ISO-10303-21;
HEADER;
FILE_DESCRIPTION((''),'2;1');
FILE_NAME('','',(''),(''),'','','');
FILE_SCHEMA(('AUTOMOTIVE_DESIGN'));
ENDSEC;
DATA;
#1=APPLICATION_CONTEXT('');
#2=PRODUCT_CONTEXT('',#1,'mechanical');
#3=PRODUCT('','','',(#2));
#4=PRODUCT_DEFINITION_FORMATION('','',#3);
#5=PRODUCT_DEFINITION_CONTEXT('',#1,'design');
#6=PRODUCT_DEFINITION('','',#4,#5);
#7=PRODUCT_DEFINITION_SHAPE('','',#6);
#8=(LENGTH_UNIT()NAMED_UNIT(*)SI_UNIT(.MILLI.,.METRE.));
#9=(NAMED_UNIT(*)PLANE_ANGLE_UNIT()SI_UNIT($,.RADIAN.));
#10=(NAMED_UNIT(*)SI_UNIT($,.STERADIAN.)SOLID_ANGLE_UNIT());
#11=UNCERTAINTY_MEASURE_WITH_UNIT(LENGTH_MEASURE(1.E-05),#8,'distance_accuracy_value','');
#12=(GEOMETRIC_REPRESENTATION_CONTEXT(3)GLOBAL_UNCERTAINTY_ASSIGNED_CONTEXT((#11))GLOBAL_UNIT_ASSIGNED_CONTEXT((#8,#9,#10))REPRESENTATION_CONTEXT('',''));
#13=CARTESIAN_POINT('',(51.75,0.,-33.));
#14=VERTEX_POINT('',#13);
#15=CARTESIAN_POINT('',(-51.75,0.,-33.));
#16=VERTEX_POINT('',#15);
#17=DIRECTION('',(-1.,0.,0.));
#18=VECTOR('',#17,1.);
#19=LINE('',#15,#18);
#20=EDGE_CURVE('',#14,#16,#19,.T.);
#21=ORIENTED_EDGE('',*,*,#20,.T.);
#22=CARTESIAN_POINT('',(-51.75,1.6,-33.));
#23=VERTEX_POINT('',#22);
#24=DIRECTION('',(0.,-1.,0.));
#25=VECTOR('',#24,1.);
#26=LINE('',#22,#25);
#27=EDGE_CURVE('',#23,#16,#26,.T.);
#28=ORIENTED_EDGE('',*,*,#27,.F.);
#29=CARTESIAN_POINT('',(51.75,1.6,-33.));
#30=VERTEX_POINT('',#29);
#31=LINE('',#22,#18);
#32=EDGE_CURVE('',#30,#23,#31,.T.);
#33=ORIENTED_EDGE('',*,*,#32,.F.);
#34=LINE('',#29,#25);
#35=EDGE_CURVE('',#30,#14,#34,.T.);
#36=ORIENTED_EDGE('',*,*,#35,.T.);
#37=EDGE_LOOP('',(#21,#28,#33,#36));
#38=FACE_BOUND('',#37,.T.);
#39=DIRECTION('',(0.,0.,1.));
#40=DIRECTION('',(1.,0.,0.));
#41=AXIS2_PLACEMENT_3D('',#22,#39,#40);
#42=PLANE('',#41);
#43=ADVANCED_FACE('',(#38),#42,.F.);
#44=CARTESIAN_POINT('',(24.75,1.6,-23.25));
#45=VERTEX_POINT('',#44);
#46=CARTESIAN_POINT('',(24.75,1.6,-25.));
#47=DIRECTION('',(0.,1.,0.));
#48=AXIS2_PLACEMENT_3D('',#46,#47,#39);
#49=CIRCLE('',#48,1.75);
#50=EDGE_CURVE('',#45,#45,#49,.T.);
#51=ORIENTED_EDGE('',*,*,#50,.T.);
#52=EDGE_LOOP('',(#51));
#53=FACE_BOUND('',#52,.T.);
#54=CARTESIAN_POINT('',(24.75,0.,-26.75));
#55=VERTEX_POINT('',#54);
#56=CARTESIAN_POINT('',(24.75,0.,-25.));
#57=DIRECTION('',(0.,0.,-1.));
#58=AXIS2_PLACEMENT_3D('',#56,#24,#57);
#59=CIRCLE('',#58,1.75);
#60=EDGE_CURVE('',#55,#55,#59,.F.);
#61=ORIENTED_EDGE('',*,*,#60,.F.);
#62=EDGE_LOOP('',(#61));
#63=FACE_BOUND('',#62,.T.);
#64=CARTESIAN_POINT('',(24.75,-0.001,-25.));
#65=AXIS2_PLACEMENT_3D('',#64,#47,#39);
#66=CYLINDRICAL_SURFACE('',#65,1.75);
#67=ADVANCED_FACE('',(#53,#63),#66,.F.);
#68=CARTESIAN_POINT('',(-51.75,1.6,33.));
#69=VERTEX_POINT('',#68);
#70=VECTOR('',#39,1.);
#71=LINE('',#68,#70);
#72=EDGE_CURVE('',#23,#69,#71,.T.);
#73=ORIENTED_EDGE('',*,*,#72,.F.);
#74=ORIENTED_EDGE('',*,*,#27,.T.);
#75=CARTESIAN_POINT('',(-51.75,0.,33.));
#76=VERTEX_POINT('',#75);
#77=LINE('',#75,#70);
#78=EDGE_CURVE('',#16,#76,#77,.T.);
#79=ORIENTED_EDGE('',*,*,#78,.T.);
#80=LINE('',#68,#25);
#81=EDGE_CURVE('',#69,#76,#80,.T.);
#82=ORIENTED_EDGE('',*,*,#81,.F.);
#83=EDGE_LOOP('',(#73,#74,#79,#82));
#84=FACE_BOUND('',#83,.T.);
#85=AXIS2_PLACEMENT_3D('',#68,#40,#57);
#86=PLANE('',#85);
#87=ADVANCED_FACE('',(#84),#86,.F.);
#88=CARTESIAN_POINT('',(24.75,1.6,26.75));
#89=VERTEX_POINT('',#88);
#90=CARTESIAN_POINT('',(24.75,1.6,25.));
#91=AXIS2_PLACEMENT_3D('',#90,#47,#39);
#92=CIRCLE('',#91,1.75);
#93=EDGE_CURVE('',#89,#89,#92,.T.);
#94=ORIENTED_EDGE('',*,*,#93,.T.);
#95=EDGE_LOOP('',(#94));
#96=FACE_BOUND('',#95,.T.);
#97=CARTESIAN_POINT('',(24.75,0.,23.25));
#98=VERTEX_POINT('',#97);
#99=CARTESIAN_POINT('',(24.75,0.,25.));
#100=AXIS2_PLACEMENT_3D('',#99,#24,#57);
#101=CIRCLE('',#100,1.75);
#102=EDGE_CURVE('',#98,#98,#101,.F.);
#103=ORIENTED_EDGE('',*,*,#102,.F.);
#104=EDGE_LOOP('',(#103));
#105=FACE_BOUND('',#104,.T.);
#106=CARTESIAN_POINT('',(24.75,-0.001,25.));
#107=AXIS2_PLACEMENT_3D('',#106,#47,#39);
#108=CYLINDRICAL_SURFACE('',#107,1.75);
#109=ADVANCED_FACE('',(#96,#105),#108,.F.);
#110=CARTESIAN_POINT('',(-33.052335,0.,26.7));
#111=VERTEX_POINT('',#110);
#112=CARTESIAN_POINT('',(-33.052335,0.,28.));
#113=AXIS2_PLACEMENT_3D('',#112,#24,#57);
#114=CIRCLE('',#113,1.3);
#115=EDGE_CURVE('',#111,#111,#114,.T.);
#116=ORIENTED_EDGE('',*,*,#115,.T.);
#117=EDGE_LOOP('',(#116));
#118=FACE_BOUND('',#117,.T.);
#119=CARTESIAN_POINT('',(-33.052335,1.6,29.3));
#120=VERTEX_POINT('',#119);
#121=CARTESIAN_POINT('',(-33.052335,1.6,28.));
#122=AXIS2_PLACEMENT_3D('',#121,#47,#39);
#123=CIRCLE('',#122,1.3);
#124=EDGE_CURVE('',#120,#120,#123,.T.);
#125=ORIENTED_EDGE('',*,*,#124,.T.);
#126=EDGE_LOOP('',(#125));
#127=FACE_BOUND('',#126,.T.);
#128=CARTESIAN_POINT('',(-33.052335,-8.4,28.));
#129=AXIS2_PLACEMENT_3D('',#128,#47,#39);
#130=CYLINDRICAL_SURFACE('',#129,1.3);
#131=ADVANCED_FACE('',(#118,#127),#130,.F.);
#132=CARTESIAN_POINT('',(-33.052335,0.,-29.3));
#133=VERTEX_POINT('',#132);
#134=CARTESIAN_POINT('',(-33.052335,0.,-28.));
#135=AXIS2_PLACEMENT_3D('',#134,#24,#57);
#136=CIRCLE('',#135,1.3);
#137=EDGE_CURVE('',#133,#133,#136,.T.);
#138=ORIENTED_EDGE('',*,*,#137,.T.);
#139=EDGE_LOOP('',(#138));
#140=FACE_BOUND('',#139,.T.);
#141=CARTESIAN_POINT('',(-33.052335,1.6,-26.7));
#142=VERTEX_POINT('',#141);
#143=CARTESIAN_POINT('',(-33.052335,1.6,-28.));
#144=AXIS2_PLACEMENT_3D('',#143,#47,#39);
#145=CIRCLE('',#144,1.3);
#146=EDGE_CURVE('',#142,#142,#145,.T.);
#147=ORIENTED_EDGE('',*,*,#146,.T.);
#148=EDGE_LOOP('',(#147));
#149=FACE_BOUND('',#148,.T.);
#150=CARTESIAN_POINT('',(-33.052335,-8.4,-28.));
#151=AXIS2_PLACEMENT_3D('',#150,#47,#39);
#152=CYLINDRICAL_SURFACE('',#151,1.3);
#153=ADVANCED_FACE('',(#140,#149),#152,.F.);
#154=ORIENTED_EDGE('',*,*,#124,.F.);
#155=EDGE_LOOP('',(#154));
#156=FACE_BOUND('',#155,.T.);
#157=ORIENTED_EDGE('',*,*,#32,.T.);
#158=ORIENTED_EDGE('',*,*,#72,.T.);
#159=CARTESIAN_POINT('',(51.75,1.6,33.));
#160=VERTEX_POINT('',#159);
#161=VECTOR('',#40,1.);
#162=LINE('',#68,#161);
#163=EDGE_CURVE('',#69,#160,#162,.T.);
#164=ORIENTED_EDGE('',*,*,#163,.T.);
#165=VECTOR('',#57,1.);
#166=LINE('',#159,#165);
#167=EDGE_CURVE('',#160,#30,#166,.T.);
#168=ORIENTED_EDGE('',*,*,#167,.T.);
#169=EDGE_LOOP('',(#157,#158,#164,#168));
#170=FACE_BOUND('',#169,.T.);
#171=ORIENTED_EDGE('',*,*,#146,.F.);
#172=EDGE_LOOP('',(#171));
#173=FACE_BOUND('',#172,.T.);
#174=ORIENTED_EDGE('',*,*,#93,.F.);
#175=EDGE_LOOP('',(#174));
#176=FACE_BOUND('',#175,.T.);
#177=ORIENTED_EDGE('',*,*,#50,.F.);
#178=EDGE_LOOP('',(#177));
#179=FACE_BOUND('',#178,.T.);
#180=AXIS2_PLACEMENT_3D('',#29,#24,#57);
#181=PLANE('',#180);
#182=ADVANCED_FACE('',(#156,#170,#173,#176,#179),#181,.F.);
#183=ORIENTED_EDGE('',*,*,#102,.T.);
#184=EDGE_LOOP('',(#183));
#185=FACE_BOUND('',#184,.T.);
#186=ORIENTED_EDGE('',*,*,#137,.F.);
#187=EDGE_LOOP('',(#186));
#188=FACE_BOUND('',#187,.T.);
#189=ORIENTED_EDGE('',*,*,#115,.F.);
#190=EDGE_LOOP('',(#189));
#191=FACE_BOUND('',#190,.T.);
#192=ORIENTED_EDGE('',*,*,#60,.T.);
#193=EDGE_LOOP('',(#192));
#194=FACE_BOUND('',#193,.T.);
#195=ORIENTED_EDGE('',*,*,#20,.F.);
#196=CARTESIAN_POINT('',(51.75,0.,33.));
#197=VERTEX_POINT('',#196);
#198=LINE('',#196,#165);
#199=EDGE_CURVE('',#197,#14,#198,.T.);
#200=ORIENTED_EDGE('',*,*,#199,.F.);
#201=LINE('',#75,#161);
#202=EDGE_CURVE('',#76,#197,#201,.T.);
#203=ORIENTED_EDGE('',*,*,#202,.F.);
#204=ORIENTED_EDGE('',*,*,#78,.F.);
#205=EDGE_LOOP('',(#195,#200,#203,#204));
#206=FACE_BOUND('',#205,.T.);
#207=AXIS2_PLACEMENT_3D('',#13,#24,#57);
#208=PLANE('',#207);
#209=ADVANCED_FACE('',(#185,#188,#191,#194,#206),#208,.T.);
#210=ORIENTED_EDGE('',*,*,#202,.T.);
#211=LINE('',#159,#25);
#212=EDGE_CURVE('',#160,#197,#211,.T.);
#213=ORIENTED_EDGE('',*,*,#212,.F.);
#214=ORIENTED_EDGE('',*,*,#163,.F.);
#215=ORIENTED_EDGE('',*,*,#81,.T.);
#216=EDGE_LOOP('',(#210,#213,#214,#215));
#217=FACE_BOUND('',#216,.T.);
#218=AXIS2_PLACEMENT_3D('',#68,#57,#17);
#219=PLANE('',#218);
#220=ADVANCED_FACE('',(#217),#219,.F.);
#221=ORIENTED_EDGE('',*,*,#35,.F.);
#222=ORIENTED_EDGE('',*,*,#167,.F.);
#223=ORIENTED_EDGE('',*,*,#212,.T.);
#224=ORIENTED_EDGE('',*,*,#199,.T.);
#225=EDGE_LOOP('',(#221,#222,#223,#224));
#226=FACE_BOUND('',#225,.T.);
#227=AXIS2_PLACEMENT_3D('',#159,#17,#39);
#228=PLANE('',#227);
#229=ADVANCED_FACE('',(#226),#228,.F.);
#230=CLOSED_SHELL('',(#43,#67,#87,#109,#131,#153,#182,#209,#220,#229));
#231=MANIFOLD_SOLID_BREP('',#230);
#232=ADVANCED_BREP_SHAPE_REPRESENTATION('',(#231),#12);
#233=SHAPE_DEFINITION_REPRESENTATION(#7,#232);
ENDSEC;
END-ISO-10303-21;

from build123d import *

# Parameters (mm, degrees)
SKETCH1_W           = 103.5
SKETCH1_H           = 66
BOSS_EXTRUDE1_DEPTH = 1.6
SKETCH3_R           = 1.3
CUT_EXTRUDE2_DEPTH  = 10
CUT_EXTRUDE3_REACH  = 63.397
SKETCH4_R           = 1.75


with BuildPart() as part:
    # Sketch1 → Boss-Extrude1 (new body)
    with BuildSketch(Plane(origin=(0, 0, 0), x_dir=(1, 0, 0), z_dir=(0, 1, 0))):
        Rectangle(SKETCH1_W, SKETCH1_H)
    extrude(amount=BOSS_EXTRUDE1_DEPTH)

    # Sketch3 → Cut-Extrude2 (cut)
    with BuildSketch(Plane(origin=(0, 1.6, 0), x_dir=(1, 0, 0), z_dir=(0, 1, 0))):
        with Locations(Location((-33.052335, 28, 0), (0, 0, 270))):
            Circle(SKETCH3_R)
        with Locations(Location((-33.052335, -28, 0), (0, 0, 270))):
            Circle(SKETCH3_R)
    extrude(amount=-CUT_EXTRUDE2_DEPTH, mode=Mode.SUBTRACT)

    # Sketch4 → Cut-Extrude3 (cut, up to next)
    with BuildSketch(Plane(origin=(0, 1.6, 0), x_dir=(1, 0, 0), z_dir=(0, 1, 0)), mode=Mode.PRIVATE) as cut_extrude3_sk1:
        with Locations(Location((24.75, 25, 0), (0, 0, 270))):
            Circle(SKETCH4_R)
    cut_extrude3_tool1 = extrude(cut_extrude3_sk1.sketch, amount=-CUT_EXTRUDE3_REACH, mode=Mode.PRIVATE) & part.part
    # Sketch4 → Cut-Extrude3 (cut, up to next)
    with BuildSketch(Plane(origin=(0, 1.6, 0), x_dir=(1, 0, 0), z_dir=(0, 1, 0)), mode=Mode.PRIVATE) as cut_extrude3_sk2:
        with Locations(Location((24.75, -25, 0), (0, 0, 270))):
            Circle(SKETCH4_R)
    cut_extrude3_tool2 = extrude(cut_extrude3_sk2.sketch, amount=-CUT_EXTRUDE3_REACH, mode=Mode.PRIVATE) & part.part
    add(cut_extrude3_tool1.solids().sort_by_distance((24.75, 1.6, -25))[0], mode=Mode.SUBTRACT)
    add(cut_extrude3_tool2.solids().sort_by_distance((24.75, 1.6, 25))[0], mode=Mode.SUBTRACT)


solid = part.part
